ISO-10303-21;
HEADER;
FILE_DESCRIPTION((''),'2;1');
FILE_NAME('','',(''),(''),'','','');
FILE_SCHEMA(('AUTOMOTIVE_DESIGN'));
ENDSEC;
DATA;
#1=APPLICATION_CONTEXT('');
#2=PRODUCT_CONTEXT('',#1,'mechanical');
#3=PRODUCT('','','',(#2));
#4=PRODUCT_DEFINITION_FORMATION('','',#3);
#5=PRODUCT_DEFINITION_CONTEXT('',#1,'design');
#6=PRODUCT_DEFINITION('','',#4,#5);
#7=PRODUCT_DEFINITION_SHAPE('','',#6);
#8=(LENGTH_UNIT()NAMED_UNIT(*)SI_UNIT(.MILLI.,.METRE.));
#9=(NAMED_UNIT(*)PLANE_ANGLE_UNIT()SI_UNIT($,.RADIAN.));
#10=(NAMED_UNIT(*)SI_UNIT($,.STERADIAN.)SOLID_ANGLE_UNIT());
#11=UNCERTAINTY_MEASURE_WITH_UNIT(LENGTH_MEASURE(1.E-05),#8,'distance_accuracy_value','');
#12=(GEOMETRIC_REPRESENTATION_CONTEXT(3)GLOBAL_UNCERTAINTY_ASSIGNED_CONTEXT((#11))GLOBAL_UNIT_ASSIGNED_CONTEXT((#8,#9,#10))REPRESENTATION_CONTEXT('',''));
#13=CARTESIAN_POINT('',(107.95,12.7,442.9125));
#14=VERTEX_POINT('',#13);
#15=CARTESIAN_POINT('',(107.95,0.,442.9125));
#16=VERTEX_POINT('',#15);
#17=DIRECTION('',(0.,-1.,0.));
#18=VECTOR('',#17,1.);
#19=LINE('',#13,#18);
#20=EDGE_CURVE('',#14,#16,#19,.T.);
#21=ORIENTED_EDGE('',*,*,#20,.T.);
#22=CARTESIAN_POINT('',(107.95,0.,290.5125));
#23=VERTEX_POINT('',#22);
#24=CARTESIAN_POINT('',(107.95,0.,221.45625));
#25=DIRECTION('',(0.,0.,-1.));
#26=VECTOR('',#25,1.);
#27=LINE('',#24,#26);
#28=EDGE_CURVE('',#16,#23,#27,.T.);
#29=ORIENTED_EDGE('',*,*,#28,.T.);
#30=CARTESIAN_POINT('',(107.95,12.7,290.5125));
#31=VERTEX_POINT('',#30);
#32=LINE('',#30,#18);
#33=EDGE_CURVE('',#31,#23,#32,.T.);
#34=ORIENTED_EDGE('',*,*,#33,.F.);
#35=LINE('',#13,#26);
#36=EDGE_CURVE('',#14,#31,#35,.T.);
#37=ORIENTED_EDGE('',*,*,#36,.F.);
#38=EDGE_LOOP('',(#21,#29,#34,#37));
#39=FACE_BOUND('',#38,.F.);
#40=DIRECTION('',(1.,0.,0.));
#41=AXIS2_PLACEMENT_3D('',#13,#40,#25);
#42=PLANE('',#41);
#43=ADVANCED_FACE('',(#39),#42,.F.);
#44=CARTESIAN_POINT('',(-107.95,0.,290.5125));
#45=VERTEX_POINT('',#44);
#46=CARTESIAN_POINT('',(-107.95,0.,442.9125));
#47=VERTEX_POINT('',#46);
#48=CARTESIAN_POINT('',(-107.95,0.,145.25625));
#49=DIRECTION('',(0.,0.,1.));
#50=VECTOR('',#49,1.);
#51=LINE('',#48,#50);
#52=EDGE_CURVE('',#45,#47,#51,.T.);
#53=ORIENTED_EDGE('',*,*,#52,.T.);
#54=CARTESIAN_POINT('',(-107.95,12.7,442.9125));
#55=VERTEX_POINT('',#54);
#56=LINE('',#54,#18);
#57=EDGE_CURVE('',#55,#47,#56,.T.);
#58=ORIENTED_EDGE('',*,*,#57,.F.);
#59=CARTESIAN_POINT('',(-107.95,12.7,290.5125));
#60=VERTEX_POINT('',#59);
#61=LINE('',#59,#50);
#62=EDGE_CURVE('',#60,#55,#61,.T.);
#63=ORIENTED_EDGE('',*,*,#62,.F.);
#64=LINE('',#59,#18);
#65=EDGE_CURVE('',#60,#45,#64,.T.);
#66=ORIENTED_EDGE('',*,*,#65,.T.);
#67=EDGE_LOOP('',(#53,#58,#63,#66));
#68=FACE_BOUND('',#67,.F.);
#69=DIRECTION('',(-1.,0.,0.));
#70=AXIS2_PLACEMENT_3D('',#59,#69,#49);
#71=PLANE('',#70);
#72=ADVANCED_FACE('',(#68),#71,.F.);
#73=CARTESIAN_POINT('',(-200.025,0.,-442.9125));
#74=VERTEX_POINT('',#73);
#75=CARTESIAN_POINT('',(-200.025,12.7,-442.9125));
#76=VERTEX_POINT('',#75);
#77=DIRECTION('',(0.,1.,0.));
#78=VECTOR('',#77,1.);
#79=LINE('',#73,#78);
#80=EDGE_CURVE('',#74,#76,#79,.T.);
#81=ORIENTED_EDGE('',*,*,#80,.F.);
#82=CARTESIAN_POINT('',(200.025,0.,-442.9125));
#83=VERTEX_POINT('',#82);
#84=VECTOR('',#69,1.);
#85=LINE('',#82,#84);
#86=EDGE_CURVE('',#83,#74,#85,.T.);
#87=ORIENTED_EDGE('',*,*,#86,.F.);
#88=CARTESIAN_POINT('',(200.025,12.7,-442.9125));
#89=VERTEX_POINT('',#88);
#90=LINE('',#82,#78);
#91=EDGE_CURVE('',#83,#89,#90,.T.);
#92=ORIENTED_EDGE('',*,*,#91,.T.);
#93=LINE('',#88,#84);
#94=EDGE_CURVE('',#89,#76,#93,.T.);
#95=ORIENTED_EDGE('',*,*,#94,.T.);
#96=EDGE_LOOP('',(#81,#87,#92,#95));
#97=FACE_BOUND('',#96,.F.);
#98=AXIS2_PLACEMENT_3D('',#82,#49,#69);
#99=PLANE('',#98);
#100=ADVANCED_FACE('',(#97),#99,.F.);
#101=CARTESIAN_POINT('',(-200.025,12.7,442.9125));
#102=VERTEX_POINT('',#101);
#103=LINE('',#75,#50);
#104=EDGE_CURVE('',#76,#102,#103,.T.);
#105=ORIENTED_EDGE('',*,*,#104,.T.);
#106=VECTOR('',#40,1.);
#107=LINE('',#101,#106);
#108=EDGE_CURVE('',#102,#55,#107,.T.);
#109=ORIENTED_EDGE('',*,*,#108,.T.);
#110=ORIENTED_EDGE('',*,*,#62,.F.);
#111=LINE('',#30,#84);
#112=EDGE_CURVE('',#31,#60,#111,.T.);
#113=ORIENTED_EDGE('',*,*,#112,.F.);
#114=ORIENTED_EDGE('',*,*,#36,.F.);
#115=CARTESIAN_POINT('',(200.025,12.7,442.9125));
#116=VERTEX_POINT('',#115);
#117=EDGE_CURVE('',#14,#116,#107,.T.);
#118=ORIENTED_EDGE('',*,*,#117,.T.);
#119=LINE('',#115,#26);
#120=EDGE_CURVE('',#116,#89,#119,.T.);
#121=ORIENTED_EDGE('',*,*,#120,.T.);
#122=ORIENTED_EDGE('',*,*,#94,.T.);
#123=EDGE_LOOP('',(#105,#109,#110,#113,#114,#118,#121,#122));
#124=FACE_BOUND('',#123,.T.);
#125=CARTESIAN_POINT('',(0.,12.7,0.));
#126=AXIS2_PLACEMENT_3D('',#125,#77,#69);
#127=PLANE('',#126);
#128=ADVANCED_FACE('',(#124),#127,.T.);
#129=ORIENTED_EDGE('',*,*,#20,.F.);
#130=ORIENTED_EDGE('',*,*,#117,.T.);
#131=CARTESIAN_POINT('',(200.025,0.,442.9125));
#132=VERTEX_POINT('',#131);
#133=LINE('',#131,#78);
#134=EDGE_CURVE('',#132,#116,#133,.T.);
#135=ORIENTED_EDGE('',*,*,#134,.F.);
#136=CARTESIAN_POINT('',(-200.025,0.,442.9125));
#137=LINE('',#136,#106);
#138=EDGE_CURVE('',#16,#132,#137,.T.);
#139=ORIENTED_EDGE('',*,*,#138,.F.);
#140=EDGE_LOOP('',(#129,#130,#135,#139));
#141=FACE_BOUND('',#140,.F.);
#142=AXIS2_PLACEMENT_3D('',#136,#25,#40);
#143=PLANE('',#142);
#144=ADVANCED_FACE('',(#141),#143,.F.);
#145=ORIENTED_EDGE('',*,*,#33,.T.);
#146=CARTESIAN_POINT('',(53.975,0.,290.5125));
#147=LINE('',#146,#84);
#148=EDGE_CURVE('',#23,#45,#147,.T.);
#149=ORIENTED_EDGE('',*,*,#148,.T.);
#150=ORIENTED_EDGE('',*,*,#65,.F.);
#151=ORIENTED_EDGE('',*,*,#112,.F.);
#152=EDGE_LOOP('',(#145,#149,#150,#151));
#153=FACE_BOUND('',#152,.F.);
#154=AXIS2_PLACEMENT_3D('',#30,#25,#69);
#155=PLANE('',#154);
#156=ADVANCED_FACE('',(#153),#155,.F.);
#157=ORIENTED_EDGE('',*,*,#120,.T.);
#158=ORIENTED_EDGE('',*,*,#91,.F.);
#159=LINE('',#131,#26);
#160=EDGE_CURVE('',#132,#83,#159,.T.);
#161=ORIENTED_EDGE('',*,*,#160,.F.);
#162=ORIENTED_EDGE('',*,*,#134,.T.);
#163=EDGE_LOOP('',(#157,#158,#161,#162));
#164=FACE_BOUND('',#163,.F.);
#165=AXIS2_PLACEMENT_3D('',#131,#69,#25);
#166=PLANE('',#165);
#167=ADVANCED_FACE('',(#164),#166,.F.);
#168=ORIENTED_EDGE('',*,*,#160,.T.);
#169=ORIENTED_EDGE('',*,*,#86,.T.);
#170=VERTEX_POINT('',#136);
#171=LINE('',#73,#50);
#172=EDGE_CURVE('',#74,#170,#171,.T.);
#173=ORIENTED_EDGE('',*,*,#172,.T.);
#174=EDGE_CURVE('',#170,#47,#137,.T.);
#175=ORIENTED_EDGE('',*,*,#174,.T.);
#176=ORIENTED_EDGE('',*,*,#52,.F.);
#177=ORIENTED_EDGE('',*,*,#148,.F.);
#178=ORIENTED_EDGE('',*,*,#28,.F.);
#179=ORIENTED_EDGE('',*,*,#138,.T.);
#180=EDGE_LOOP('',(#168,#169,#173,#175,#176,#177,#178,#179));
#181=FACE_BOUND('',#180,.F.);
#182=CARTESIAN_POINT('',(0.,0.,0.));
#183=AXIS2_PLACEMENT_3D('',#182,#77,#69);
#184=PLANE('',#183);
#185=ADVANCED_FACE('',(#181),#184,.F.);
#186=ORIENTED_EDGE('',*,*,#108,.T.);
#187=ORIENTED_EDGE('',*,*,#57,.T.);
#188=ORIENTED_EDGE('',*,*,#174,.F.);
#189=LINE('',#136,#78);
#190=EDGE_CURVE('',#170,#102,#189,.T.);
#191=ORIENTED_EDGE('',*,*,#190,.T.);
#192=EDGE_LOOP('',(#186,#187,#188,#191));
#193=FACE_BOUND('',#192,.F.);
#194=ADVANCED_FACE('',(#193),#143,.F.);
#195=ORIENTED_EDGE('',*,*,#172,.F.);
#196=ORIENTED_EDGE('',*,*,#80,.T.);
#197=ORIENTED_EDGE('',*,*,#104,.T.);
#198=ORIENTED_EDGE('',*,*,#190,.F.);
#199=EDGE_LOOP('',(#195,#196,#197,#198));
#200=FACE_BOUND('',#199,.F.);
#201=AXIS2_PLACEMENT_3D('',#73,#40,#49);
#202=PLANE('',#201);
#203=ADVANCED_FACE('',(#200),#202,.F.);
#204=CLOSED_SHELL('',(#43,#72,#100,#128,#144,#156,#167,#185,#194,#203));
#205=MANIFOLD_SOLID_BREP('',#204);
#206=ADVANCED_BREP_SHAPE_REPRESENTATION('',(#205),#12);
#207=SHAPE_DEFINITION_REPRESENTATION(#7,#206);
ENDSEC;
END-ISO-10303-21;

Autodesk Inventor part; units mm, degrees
ref_plane "YZ Plane" through (0, 0, 0) normal (1, 0, 0) x (0, 1, 0)
ref_plane "XZ Plane" through (0, 0, 0) normal (0, 1, 0) x (-1, 0, 0)
ref_plane "XY Plane" through (0, 0, 0) normal (0, 0, 1) x (1, 0, 0)
sketch "Sketch1" plane through (0, 0, 0) normal (0, 1, 0) x (-1, 0, 0)
  line L0 (200.025, 442.9125) -> (-200.025, 442.9125)
  line L1 (-200.025, 442.9125) -> (-200.025, -442.9125)
  line L2 (-200.025, -442.9125) -> (200.025, -442.9125)
  line L3 (200.025, -442.9125) -> (200.025, 442.9125)
  line L4 (200.025, 442.9125) -> (-200.025, -442.9125) construction
  line L5 (-200.025, 442.9125) -> (200.025, -442.9125) construction
  point P0 (0, 0)
  dimension "d0" = 400.05
  dimension "d1" = 885.825
extrude "Extrusion1" add sketch "Sketch1" along normal blind 12.7
sketch "Sketch7" plane through (0, 12.7, 0) normal (0, 1, 0) x (1, 0, 0)
  line L0 (-200.025, -442.9125) -> (200.025, -442.9125) projected
  line L1 (-107.95, -442.9125) -> (107.95, -442.9125)
  line L2 (107.95, -442.9125) -> (107.95, -290.5125)
  line L3 (107.95, -290.5125) -> (-107.95, -290.5125)
  line L4 (-107.95, -290.5125) -> (-107.95, -442.9125)
  point P0 (0, 0)
  dimension "d28" = 107.95
  dimension "d29" = 107.95
  dimension "d30" = 152.4
extrude "Extrusion5" cut sketch "Sketch7" against normal through all
properties part number "woodBase" material "Wood (Birch)"
